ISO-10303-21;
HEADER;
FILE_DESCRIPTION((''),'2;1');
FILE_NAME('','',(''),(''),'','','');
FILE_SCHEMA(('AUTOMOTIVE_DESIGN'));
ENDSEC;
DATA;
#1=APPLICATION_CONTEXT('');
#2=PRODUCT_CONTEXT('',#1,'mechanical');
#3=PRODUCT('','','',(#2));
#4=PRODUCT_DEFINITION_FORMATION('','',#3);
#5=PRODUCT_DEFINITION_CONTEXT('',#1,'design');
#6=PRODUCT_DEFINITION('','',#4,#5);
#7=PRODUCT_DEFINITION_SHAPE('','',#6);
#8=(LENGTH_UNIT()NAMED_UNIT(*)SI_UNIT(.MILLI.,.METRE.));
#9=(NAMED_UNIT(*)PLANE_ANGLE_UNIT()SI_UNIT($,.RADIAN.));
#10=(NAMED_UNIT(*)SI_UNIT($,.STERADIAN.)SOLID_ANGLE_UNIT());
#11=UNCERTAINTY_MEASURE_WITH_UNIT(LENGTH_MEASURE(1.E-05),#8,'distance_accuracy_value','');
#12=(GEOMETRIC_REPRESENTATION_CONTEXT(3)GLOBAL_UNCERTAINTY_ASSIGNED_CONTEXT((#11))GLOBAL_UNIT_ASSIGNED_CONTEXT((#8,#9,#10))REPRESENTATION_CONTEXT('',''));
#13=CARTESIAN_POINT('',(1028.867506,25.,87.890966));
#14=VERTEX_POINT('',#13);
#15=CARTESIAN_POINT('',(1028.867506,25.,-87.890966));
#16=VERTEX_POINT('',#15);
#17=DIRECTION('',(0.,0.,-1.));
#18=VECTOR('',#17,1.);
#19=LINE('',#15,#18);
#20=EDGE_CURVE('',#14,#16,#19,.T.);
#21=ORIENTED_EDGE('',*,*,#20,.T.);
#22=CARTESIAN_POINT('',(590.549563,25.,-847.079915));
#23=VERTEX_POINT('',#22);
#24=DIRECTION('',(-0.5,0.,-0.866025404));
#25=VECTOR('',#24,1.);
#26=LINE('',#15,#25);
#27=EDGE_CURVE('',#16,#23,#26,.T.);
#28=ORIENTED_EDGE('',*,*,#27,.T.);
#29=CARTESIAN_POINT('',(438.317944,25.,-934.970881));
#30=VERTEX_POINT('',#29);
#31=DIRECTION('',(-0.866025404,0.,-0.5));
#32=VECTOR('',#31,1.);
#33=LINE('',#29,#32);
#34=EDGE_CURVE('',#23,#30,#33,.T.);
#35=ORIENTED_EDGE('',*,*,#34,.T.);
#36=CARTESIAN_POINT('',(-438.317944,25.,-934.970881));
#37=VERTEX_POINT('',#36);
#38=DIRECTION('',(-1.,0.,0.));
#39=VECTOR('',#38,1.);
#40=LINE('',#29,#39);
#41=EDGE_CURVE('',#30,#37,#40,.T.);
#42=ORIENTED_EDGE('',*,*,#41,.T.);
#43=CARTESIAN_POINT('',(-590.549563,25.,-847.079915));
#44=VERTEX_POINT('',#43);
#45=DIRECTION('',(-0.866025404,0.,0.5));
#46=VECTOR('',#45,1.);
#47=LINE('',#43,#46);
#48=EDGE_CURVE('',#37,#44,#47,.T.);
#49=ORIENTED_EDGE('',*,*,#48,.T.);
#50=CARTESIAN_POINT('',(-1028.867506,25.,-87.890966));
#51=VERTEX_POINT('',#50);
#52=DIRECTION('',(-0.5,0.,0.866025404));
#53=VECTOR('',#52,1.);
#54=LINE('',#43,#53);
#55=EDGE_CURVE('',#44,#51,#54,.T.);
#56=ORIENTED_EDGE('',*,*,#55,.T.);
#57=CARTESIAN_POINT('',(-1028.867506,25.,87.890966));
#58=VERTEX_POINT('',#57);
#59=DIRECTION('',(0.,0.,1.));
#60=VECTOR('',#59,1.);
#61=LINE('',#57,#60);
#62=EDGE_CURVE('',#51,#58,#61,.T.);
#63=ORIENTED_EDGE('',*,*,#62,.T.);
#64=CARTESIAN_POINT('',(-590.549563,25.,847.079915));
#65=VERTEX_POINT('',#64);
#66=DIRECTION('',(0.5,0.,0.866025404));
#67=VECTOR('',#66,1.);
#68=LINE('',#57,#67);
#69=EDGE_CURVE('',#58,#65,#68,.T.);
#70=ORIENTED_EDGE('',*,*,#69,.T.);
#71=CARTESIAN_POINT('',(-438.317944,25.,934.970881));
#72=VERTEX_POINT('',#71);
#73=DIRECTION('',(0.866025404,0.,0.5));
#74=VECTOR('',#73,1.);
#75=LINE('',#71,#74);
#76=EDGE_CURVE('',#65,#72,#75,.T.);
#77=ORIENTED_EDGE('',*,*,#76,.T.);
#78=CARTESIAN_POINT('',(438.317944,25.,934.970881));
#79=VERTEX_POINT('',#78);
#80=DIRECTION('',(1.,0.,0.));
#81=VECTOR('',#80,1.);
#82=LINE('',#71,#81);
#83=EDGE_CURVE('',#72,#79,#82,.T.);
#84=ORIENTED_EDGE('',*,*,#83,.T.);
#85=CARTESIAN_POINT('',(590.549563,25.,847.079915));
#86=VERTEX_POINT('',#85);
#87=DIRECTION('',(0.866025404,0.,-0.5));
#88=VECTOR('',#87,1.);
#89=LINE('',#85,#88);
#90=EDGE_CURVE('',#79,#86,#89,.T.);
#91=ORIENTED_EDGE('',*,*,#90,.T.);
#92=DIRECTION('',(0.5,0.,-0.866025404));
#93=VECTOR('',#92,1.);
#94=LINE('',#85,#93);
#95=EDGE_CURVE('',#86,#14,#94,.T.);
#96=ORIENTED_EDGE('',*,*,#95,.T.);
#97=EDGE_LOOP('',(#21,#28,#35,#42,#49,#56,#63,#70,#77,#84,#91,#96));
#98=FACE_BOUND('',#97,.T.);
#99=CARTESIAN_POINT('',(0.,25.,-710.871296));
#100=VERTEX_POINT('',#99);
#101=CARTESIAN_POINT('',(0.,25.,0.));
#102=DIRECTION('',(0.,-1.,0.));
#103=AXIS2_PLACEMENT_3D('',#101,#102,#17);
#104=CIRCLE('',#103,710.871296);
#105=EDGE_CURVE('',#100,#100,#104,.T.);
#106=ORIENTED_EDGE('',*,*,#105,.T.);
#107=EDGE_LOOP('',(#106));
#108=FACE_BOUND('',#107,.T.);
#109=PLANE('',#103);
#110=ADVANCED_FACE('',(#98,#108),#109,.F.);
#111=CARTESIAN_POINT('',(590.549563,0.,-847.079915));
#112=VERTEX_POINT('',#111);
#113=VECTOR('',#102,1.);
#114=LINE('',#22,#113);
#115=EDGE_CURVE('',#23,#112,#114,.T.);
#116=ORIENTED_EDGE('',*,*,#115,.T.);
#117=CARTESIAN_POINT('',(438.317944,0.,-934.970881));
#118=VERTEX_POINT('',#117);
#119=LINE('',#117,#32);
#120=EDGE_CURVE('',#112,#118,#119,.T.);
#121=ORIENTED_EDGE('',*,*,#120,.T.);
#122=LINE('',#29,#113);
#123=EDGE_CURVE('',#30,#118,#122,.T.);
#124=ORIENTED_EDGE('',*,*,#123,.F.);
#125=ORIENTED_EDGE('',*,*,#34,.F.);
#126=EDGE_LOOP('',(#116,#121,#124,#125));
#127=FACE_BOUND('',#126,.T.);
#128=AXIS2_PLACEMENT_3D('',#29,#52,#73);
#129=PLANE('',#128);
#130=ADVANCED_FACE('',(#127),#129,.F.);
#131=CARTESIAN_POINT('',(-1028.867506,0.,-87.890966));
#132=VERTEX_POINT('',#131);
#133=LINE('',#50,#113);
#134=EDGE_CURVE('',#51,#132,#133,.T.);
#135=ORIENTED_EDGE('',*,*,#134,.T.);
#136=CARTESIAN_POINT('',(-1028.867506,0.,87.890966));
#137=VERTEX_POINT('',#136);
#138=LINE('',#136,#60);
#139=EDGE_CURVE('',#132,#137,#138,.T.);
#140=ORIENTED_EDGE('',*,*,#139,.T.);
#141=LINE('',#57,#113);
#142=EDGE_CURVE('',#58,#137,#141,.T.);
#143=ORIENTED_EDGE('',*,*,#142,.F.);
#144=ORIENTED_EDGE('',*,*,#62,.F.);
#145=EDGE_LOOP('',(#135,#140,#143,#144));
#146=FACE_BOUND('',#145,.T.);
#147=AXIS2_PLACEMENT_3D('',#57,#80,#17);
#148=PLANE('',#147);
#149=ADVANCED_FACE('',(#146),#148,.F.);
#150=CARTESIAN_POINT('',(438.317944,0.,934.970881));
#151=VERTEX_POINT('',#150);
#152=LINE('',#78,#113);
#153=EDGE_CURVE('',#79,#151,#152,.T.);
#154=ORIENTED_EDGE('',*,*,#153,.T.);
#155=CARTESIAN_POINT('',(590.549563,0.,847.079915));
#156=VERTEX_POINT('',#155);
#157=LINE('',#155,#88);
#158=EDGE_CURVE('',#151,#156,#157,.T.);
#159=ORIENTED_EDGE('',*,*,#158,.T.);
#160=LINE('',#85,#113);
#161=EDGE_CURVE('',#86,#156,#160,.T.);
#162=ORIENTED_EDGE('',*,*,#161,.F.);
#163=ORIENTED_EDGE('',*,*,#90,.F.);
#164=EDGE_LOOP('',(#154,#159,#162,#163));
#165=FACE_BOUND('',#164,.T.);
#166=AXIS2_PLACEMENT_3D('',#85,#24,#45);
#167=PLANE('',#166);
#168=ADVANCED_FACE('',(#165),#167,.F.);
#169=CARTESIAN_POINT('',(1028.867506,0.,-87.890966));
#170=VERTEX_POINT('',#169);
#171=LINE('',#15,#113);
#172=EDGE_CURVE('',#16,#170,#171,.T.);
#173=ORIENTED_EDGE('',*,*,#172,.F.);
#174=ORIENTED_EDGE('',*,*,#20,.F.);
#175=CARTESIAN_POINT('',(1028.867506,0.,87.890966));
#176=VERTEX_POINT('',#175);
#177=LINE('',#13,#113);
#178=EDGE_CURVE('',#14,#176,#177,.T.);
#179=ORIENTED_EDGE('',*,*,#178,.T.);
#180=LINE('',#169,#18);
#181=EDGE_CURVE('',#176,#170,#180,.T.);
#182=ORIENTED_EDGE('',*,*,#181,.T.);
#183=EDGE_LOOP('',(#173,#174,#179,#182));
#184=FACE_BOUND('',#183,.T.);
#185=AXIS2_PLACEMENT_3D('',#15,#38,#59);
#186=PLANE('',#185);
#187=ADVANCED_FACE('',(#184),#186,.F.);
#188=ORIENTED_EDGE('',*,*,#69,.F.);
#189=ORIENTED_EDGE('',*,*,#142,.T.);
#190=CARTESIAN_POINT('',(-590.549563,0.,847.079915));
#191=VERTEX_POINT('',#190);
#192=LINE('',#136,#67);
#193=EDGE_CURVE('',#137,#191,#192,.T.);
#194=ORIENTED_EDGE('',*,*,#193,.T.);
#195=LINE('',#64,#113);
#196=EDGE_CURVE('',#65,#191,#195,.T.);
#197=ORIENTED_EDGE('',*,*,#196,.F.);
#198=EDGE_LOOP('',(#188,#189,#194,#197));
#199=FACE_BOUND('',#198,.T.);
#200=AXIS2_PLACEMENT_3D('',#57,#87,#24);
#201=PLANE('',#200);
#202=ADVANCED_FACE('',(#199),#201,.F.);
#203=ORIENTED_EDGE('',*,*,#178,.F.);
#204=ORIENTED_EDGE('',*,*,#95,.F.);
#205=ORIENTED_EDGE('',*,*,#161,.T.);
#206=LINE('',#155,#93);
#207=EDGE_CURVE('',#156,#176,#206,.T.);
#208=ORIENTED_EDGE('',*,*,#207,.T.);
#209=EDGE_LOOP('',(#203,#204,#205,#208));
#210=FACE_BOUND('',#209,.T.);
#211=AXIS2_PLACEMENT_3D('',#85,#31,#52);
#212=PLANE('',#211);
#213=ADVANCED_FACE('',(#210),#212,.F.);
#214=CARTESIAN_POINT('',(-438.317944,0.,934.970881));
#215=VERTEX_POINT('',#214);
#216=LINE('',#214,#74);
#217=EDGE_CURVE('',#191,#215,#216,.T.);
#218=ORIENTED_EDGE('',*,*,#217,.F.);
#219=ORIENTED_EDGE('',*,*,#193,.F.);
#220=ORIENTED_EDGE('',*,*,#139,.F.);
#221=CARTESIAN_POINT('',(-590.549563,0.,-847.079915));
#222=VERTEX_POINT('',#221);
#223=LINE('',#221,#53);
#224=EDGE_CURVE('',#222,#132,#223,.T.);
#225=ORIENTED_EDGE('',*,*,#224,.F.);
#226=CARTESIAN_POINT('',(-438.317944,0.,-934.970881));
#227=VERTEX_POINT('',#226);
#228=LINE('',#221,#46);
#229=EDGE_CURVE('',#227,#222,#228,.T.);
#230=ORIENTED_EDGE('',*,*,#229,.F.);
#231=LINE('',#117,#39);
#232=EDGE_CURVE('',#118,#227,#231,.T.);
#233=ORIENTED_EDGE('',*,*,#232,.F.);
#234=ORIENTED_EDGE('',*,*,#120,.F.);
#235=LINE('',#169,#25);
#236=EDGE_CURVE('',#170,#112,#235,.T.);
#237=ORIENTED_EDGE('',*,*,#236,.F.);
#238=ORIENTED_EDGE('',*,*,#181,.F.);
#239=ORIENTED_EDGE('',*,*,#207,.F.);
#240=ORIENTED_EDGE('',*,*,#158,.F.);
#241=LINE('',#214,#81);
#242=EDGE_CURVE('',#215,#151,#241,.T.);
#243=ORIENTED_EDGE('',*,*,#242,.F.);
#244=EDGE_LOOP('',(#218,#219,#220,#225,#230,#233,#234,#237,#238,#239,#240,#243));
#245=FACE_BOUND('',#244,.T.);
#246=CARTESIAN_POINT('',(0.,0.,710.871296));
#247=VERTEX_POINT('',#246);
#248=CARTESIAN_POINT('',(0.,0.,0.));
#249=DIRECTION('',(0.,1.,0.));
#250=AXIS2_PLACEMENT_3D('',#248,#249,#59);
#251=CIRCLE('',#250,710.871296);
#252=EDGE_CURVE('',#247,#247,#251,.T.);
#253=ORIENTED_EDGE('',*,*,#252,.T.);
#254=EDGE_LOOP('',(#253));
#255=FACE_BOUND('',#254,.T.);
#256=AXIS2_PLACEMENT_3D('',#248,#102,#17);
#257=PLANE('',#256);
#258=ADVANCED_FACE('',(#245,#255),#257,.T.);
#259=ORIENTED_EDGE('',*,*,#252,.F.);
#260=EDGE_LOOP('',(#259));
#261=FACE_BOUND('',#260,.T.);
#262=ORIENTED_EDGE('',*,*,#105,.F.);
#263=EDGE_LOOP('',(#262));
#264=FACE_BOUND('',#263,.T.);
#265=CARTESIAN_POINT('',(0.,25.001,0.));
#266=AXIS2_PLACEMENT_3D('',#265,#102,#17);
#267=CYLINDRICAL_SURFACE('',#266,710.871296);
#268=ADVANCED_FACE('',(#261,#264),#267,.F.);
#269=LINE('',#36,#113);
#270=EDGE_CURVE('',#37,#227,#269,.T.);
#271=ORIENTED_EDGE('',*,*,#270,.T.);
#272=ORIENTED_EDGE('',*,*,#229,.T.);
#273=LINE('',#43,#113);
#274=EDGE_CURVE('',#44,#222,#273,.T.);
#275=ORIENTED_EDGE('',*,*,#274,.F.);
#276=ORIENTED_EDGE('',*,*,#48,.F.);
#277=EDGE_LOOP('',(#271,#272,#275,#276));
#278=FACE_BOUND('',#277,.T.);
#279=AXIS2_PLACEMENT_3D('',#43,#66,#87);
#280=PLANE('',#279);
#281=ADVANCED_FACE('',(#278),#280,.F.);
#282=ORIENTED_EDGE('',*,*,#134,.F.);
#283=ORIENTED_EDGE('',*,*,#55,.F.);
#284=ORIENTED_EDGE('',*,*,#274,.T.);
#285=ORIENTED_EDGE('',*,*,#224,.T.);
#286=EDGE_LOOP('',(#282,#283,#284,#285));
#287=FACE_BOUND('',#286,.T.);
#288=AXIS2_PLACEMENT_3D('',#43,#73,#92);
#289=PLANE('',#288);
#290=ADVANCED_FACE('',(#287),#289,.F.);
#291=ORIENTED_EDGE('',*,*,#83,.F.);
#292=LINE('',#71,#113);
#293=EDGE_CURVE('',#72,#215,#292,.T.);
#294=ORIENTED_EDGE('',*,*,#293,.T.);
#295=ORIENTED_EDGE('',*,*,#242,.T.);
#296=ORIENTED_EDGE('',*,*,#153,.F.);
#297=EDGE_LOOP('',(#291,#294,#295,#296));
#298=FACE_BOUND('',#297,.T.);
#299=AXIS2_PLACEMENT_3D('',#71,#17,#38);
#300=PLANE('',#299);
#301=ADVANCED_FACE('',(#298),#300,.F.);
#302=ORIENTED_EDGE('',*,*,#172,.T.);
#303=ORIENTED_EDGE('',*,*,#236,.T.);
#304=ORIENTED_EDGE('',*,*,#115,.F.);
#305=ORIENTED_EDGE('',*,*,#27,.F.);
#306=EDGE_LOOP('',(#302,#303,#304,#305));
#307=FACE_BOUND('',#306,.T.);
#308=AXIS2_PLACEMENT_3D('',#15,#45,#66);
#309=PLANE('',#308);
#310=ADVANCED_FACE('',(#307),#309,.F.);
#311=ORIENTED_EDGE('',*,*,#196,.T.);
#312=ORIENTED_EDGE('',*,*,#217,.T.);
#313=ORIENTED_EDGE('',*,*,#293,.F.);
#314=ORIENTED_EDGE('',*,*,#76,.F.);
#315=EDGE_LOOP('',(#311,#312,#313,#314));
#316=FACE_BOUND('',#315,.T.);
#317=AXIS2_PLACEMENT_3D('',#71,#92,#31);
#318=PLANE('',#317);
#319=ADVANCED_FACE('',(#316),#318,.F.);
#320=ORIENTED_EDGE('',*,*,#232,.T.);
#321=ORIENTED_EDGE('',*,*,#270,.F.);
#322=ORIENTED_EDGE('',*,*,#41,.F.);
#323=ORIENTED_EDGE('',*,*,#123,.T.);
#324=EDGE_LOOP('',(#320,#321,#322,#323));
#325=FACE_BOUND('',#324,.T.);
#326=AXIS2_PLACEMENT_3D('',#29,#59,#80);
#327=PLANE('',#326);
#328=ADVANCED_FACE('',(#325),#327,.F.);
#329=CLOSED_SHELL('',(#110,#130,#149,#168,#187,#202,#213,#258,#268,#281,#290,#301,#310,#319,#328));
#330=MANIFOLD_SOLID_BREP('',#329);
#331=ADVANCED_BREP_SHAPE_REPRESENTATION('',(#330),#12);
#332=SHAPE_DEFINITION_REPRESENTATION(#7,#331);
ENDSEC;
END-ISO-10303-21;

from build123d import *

# Parameters (mm, degrees)
BOSS_EXTRUDE1_DEPTH = 25
CUT_EXTRUDE4_REACH  = 1392.455
SKETCH2_R           = 710.8712965


with BuildPart() as part:
    # Sketch1 → Boss-Extrude1 (new body)
    with BuildSketch(Plane(origin=(0, 0, 0), x_dir=(1, 0, 0), z_dir=(0, 1, 0))):
        Polygon((438.317943801, 934.970880832), (590.549562699, 847.079914683), (1028.8675065, 87.89096615), (1028.8675065, -87.89096615), (590.549562699, -847.079914683), (438.317943801, -934.970880832), (-438.317943801, -934.970880832), (-590.549562699, -847.079914683), (-1028.8675065, -87.89096615), (-1028.8675065, 87.89096615), (-590.549562699, 847.079914683), (-438.317943801, 934.970880832), align=None)
    extrude(amount=BOSS_EXTRUDE1_DEPTH)

    # Sketch2 → Cut-Extrude4 (cut, up to next)
    with BuildSketch(Plane(origin=(0, 0, 0), x_dir=(1, 0, 0), z_dir=(0, 1, 0)), mode=Mode.PRIVATE) as cut_extrude4_sk1:
        with Locations(Location((0, 0, 0), (0, 0, 90))):
            Circle(SKETCH2_R)
    cut_extrude4_tool1 = extrude(cut_extrude4_sk1.sketch, amount=CUT_EXTRUDE4_REACH, mode=Mode.PRIVATE) & part.part
    add(cut_extrude4_tool1.solids().sort_by_distance((0, 0, 0))[0], mode=Mode.SUBTRACT)


solid = part.part
